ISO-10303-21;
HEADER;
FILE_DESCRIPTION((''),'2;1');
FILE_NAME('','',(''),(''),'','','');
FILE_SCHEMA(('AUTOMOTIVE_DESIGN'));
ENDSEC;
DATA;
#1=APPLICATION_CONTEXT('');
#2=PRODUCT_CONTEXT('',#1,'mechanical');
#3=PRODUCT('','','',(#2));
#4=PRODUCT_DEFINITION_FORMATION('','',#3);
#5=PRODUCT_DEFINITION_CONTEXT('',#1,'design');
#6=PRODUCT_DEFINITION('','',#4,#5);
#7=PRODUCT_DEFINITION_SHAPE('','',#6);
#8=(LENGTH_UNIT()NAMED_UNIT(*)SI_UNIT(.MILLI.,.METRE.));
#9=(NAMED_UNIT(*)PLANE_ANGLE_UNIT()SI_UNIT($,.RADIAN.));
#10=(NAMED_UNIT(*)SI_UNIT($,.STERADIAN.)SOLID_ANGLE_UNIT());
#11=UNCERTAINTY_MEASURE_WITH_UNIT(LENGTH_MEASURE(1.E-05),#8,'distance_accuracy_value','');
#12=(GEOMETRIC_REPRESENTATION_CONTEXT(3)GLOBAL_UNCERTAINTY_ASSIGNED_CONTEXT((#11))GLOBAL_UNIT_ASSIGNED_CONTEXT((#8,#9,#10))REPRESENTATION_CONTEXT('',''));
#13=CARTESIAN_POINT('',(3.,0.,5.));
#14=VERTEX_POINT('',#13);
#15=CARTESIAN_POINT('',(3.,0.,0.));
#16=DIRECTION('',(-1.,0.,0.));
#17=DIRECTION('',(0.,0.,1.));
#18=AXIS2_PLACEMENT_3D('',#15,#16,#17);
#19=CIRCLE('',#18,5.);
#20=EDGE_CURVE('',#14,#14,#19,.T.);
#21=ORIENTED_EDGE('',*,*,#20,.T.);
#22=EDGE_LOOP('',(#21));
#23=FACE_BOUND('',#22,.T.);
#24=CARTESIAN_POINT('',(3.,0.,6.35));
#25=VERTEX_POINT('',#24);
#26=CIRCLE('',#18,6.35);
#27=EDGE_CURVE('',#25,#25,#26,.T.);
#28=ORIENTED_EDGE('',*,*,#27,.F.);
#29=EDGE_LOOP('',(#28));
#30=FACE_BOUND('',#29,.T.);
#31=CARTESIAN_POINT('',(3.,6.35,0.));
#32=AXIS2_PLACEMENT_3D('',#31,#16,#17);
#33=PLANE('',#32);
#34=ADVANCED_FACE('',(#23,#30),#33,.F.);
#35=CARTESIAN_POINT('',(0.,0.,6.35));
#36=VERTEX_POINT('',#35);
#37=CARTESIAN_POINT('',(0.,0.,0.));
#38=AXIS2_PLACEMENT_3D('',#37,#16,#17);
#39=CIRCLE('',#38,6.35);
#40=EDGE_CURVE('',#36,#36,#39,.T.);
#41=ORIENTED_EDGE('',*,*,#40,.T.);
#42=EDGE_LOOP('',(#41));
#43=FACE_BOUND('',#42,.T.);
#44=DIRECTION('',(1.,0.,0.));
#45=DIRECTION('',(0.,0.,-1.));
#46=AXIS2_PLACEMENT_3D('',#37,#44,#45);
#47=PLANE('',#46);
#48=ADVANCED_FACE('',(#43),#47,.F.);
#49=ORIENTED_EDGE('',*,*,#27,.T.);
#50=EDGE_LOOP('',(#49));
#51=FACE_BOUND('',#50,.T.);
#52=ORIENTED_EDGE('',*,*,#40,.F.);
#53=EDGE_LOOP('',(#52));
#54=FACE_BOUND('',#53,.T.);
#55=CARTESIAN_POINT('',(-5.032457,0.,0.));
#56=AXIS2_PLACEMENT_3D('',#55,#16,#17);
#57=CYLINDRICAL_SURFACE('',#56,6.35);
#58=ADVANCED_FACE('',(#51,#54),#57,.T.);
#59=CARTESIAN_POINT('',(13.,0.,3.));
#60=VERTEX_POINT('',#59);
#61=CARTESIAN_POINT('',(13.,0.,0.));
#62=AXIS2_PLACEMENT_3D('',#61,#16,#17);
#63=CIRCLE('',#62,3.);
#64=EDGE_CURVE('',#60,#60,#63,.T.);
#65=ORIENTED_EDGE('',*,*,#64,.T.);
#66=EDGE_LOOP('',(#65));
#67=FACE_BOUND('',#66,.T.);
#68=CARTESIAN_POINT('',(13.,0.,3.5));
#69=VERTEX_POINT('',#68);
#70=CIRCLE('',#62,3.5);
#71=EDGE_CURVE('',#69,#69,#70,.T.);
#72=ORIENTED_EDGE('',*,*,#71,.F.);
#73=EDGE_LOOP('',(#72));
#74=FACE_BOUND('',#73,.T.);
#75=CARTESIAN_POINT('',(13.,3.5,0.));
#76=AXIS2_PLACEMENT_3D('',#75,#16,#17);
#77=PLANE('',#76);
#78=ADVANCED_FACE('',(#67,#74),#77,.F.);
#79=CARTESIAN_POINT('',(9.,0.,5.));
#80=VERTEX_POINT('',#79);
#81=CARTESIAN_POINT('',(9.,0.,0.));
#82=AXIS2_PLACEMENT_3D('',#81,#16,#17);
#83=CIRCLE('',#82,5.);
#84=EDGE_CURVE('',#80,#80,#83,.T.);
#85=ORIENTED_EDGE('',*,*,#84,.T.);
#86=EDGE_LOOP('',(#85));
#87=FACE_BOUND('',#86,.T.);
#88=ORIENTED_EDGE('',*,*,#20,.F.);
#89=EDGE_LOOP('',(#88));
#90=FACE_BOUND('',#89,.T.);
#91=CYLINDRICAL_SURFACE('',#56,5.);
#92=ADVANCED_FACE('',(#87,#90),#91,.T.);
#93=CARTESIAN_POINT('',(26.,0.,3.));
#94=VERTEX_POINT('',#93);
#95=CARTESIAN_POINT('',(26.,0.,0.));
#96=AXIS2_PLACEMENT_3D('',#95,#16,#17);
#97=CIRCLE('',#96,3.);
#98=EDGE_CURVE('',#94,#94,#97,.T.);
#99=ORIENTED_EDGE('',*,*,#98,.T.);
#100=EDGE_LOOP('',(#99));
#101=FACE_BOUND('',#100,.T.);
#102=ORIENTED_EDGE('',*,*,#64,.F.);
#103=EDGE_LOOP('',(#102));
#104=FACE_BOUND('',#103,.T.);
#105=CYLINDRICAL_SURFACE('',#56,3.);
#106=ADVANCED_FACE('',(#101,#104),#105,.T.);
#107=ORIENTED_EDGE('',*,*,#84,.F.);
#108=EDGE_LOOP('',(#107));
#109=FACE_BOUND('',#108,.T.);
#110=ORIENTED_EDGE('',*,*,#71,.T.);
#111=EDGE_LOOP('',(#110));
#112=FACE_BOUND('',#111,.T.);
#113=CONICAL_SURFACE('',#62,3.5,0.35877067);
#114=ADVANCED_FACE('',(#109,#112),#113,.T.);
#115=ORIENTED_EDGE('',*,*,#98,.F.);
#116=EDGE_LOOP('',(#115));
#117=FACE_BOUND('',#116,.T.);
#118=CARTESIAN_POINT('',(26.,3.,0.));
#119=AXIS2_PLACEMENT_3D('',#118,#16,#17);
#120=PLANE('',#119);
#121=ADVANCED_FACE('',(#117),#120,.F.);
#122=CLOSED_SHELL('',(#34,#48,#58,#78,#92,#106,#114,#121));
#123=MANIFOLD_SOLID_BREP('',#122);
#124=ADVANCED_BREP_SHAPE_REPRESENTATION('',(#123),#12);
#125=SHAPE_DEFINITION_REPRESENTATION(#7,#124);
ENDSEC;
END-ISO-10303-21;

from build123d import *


with BuildPart() as part:
    # Sketch1 → Revolve1 (revolve)
    with BuildSketch(Plane.XY):
        Polygon((0, 0), (0, 6.35), (3, 6.35), (3, 5), (9, 5), (13, 3.5), (13, 3), (26, 3), (26, 0), align=None)
    revolve(axis=Axis((-5.032456996, 0, 0), (1, 0, 0)))


solid = part.part
